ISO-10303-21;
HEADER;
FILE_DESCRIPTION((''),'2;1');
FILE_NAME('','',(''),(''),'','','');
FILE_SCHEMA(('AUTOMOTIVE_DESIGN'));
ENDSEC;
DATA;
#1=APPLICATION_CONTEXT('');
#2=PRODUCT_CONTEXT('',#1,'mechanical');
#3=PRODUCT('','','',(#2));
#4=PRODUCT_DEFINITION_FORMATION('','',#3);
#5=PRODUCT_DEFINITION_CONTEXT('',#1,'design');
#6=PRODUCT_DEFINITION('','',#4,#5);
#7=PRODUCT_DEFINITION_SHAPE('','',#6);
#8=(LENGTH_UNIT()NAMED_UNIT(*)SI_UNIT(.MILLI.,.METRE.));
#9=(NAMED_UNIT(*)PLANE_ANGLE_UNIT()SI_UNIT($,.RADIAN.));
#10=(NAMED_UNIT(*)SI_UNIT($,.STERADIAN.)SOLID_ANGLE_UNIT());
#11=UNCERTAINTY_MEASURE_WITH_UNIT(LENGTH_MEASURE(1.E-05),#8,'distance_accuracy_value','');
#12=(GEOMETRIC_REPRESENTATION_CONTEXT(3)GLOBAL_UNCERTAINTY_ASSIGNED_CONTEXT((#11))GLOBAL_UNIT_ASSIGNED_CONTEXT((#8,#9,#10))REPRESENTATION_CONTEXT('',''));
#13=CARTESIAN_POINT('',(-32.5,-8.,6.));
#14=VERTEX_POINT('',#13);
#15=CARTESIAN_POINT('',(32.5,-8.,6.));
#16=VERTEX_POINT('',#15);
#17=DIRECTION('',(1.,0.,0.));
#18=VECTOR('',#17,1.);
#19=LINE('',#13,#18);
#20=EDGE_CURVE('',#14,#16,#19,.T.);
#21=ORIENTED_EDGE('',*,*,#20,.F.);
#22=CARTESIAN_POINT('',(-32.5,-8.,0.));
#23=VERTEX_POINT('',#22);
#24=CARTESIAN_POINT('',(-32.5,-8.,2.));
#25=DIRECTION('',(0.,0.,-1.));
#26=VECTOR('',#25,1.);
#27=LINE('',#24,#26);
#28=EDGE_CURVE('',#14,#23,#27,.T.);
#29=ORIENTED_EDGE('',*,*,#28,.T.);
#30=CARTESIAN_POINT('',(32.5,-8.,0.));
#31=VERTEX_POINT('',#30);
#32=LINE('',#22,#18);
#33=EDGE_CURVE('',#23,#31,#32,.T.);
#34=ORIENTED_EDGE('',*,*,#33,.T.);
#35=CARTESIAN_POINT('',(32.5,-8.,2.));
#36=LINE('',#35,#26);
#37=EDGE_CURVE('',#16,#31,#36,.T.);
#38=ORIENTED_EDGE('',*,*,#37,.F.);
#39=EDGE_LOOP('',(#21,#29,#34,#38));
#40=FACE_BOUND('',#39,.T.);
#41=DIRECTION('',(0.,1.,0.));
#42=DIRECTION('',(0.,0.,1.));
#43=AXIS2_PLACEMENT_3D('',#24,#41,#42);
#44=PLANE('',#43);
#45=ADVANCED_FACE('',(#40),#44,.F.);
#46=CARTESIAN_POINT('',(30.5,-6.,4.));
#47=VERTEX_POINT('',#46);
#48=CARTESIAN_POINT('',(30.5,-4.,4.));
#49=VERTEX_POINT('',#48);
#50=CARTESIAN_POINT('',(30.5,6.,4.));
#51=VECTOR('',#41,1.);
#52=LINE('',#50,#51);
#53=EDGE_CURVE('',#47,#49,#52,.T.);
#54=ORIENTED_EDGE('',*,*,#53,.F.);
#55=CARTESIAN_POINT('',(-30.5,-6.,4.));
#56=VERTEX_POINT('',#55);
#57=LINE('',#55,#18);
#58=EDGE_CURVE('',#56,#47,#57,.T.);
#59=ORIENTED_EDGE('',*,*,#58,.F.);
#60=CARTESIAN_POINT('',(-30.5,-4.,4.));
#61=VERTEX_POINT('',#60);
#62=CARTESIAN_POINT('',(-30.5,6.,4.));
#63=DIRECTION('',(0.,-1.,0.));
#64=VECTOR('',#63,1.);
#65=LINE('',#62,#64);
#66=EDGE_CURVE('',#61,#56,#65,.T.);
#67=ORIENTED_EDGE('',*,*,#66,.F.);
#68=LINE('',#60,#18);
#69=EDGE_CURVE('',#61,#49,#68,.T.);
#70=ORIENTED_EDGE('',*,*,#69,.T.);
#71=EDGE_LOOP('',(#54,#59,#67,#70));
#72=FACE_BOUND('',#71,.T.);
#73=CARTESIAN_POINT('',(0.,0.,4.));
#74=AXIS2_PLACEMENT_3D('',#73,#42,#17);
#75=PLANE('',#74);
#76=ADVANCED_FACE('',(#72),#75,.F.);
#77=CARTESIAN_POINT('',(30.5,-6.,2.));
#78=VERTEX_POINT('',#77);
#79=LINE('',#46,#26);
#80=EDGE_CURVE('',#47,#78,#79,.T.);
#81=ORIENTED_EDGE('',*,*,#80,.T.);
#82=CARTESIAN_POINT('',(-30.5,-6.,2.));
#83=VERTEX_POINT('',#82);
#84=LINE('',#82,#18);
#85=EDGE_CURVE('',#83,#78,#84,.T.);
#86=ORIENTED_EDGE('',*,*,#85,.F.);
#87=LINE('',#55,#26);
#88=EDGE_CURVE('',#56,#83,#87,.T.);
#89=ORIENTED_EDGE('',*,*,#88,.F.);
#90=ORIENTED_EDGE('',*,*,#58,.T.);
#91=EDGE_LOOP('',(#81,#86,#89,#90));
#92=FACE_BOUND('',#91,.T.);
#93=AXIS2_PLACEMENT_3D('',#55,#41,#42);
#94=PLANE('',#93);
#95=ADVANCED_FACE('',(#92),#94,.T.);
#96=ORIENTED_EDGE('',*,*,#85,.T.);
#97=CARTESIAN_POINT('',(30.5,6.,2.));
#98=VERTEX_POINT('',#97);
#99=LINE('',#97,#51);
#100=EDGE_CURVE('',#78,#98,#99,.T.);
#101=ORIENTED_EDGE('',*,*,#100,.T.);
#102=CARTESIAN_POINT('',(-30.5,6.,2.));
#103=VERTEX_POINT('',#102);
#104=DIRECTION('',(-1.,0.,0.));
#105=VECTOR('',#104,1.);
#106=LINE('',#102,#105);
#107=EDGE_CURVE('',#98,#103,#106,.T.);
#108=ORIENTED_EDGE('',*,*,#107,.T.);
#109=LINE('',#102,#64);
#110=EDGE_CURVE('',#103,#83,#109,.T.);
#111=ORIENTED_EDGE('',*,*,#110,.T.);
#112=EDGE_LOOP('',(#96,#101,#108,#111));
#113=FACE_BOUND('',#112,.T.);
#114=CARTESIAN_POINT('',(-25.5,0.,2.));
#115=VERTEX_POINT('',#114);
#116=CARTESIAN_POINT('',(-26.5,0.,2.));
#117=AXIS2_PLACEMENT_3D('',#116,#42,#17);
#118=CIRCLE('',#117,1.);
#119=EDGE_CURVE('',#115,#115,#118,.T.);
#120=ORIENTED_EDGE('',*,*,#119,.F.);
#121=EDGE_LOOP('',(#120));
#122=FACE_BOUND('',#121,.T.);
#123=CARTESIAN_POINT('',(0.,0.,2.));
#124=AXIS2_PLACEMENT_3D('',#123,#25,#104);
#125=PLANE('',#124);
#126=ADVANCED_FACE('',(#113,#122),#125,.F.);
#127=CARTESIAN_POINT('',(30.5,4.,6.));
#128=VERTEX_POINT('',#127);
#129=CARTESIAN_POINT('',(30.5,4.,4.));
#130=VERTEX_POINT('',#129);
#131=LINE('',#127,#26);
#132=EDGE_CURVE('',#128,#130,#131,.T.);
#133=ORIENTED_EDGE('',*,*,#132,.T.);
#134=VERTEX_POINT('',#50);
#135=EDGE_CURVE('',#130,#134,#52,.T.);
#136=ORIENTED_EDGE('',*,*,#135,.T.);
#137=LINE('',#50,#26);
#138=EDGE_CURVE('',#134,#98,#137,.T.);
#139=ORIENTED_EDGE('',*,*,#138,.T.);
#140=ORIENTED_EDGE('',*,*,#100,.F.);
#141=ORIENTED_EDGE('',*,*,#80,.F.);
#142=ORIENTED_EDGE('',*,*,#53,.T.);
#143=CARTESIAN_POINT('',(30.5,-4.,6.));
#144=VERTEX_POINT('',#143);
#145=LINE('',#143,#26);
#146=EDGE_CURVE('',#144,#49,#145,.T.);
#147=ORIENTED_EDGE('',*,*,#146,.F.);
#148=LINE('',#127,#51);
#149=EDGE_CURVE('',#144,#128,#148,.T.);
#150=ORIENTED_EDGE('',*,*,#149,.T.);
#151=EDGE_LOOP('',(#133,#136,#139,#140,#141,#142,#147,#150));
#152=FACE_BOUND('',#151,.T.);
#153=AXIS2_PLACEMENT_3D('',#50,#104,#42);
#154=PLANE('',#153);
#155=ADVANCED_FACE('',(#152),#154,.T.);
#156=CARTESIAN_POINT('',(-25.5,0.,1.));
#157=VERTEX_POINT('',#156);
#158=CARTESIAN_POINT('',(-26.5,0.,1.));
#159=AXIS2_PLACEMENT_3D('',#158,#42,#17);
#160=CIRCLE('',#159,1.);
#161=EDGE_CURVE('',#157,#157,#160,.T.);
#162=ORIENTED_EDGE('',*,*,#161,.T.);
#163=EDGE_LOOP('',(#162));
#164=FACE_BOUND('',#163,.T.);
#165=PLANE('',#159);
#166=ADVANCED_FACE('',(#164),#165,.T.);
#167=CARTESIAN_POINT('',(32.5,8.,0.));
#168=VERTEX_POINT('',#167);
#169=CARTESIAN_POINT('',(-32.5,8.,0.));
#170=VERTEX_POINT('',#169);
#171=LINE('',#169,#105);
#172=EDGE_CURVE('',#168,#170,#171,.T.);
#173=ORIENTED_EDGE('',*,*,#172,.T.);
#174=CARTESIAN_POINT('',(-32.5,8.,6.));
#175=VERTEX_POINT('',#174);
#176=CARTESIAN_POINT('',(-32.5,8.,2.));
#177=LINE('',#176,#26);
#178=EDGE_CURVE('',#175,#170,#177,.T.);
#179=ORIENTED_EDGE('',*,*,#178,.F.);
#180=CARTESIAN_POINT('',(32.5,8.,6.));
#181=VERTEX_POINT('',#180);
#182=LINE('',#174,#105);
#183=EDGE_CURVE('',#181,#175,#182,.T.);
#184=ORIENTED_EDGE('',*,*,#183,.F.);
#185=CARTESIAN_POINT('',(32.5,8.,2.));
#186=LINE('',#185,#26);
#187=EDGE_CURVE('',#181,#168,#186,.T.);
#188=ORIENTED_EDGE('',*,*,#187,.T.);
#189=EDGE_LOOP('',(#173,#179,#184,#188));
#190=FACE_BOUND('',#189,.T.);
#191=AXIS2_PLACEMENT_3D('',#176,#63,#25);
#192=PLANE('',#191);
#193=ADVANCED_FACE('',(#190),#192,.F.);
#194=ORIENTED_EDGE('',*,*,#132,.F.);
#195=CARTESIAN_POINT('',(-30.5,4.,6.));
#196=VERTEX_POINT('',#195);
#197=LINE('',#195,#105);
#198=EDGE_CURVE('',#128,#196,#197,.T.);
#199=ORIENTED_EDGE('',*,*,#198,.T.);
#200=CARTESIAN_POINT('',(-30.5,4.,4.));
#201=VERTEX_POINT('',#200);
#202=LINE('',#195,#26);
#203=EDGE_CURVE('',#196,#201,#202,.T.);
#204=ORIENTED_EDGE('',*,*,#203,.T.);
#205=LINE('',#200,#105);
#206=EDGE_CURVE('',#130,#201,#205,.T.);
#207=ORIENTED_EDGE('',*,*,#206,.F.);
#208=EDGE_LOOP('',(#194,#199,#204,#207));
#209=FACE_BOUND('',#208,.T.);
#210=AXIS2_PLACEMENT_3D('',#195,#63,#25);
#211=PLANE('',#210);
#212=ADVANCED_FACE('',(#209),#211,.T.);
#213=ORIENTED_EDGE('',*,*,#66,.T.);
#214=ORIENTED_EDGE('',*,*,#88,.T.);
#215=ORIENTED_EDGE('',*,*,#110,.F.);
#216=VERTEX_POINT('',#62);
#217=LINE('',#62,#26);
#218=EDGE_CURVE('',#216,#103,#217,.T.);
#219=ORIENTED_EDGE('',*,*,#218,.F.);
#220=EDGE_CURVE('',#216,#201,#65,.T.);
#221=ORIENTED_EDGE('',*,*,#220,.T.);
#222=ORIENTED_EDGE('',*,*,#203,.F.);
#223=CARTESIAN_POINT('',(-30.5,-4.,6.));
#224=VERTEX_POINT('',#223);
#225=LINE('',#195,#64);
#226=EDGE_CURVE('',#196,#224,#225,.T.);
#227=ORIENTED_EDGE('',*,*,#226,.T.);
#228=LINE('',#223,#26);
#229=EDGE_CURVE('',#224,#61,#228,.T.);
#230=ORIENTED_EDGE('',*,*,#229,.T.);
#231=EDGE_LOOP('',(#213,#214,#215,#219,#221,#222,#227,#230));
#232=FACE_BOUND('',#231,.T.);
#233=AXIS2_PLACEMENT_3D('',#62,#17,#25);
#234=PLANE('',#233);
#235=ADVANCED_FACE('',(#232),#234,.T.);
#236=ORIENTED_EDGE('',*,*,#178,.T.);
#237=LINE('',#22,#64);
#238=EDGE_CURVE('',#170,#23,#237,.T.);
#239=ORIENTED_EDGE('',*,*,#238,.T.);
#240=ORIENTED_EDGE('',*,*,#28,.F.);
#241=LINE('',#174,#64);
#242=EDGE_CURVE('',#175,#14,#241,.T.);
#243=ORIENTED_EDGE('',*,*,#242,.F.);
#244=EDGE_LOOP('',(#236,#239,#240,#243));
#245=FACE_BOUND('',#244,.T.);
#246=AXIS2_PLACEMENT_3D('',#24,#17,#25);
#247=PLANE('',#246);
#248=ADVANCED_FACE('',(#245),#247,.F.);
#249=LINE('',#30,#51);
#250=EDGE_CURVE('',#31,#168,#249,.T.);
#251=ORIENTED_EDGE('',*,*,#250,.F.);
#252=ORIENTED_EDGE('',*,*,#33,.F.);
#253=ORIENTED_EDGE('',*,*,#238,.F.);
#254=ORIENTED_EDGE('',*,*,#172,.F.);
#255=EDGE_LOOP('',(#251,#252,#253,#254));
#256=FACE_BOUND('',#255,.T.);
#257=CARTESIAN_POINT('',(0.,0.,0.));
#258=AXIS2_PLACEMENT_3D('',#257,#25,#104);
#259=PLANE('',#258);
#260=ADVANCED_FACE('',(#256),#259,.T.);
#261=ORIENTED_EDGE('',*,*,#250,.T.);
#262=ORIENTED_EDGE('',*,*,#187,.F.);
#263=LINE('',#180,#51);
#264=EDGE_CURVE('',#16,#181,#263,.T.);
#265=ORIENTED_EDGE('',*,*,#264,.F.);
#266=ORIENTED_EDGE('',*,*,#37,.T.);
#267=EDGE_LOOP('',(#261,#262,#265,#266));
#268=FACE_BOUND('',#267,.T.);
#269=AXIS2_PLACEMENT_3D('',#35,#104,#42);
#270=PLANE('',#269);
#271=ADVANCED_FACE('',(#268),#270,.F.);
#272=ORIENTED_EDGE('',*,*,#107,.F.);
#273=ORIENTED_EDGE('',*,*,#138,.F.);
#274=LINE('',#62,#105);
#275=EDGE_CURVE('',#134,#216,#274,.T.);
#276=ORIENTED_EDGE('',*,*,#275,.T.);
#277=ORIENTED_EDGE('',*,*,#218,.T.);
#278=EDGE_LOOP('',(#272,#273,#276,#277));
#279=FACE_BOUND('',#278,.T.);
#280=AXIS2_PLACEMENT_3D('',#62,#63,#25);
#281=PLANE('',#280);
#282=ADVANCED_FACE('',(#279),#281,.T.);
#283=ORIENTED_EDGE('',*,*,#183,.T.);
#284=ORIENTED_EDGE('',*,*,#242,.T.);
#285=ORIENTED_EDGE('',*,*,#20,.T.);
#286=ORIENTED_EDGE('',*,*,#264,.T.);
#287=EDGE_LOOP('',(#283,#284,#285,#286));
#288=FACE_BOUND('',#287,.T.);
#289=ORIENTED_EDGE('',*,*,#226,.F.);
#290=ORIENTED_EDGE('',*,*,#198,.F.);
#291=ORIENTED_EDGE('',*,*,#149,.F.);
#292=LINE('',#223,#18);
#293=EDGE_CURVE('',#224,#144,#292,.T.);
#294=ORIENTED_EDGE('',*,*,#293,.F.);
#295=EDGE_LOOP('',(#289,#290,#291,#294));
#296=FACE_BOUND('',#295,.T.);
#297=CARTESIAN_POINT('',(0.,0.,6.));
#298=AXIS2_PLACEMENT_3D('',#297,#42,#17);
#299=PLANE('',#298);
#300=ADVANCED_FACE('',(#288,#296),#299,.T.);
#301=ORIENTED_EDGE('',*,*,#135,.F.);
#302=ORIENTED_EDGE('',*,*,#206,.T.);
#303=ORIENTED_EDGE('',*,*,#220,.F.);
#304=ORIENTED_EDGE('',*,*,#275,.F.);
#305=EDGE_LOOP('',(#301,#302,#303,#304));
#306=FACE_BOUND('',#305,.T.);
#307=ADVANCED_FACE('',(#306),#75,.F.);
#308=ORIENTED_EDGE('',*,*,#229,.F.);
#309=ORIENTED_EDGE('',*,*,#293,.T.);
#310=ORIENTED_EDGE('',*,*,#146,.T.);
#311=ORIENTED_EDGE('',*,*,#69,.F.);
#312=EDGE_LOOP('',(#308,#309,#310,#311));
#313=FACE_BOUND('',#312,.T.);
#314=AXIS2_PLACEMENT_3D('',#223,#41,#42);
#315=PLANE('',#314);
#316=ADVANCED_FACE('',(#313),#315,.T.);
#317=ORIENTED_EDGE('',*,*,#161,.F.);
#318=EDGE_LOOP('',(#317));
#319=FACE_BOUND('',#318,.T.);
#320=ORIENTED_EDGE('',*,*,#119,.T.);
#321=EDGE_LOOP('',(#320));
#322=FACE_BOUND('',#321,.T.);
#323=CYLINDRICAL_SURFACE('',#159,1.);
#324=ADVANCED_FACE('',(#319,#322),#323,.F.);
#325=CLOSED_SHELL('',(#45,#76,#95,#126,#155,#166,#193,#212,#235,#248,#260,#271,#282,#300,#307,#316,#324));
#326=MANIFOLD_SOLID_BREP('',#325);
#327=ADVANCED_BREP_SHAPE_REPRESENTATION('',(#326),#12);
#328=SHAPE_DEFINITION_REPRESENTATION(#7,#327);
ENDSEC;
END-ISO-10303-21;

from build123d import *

# Parameters (mm, degrees)
SKETCH1_W           = 65
SKETCH1_H           = 16
BOSS_EXTRUDE1_DEPTH = 2
SKETCH2_W           = 65
SKETCH2_H           = 16
SKETCH2_W_2         = 61
SKETCH2_H_2         = 12
BOSS_EXTRUDE2_DEPTH = 2
SKETCH4_W           = 65
SKETCH4_H           = 16
SKETCH4_W_2         = 61
SKETCH4_H_2         = 8
BOSS_EXTRUDE3_DEPTH = 2
SKETCH5_R           = 1
CUT_EXTRUDE1_DEPTH  = 1


with BuildPart() as part:
    # Sketch1 → Boss-Extrude1 (new body)
    with BuildSketch(Plane.XY):
        Rectangle(SKETCH1_W, SKETCH1_H)
    extrude(amount=BOSS_EXTRUDE1_DEPTH)

    # Sketch2 → Boss-Extrude2 (add)
    with BuildSketch(Plane.XY.offset(2)):
        Rectangle(SKETCH2_W, SKETCH2_H)
        Rectangle(SKETCH2_W_2, SKETCH2_H_2, mode=Mode.SUBTRACT)
    extrude(amount=BOSS_EXTRUDE2_DEPTH)

    # Sketch4 → Boss-Extrude3 (add)
    with BuildSketch(Plane.XY.offset(4)):
        Rectangle(SKETCH4_W, SKETCH4_H)
        Rectangle(SKETCH4_W_2, SKETCH4_H_2, mode=Mode.SUBTRACT)
    extrude(amount=BOSS_EXTRUDE3_DEPTH)

    # Sketch5 → Cut-Extrude1 (cut)
    with BuildSketch(Plane.XY.offset(2)):
        with Locations((-26.5, 0)):
            Circle(SKETCH5_R)
    extrude(amount=-CUT_EXTRUDE1_DEPTH, mode=Mode.SUBTRACT)


solid = part.part
